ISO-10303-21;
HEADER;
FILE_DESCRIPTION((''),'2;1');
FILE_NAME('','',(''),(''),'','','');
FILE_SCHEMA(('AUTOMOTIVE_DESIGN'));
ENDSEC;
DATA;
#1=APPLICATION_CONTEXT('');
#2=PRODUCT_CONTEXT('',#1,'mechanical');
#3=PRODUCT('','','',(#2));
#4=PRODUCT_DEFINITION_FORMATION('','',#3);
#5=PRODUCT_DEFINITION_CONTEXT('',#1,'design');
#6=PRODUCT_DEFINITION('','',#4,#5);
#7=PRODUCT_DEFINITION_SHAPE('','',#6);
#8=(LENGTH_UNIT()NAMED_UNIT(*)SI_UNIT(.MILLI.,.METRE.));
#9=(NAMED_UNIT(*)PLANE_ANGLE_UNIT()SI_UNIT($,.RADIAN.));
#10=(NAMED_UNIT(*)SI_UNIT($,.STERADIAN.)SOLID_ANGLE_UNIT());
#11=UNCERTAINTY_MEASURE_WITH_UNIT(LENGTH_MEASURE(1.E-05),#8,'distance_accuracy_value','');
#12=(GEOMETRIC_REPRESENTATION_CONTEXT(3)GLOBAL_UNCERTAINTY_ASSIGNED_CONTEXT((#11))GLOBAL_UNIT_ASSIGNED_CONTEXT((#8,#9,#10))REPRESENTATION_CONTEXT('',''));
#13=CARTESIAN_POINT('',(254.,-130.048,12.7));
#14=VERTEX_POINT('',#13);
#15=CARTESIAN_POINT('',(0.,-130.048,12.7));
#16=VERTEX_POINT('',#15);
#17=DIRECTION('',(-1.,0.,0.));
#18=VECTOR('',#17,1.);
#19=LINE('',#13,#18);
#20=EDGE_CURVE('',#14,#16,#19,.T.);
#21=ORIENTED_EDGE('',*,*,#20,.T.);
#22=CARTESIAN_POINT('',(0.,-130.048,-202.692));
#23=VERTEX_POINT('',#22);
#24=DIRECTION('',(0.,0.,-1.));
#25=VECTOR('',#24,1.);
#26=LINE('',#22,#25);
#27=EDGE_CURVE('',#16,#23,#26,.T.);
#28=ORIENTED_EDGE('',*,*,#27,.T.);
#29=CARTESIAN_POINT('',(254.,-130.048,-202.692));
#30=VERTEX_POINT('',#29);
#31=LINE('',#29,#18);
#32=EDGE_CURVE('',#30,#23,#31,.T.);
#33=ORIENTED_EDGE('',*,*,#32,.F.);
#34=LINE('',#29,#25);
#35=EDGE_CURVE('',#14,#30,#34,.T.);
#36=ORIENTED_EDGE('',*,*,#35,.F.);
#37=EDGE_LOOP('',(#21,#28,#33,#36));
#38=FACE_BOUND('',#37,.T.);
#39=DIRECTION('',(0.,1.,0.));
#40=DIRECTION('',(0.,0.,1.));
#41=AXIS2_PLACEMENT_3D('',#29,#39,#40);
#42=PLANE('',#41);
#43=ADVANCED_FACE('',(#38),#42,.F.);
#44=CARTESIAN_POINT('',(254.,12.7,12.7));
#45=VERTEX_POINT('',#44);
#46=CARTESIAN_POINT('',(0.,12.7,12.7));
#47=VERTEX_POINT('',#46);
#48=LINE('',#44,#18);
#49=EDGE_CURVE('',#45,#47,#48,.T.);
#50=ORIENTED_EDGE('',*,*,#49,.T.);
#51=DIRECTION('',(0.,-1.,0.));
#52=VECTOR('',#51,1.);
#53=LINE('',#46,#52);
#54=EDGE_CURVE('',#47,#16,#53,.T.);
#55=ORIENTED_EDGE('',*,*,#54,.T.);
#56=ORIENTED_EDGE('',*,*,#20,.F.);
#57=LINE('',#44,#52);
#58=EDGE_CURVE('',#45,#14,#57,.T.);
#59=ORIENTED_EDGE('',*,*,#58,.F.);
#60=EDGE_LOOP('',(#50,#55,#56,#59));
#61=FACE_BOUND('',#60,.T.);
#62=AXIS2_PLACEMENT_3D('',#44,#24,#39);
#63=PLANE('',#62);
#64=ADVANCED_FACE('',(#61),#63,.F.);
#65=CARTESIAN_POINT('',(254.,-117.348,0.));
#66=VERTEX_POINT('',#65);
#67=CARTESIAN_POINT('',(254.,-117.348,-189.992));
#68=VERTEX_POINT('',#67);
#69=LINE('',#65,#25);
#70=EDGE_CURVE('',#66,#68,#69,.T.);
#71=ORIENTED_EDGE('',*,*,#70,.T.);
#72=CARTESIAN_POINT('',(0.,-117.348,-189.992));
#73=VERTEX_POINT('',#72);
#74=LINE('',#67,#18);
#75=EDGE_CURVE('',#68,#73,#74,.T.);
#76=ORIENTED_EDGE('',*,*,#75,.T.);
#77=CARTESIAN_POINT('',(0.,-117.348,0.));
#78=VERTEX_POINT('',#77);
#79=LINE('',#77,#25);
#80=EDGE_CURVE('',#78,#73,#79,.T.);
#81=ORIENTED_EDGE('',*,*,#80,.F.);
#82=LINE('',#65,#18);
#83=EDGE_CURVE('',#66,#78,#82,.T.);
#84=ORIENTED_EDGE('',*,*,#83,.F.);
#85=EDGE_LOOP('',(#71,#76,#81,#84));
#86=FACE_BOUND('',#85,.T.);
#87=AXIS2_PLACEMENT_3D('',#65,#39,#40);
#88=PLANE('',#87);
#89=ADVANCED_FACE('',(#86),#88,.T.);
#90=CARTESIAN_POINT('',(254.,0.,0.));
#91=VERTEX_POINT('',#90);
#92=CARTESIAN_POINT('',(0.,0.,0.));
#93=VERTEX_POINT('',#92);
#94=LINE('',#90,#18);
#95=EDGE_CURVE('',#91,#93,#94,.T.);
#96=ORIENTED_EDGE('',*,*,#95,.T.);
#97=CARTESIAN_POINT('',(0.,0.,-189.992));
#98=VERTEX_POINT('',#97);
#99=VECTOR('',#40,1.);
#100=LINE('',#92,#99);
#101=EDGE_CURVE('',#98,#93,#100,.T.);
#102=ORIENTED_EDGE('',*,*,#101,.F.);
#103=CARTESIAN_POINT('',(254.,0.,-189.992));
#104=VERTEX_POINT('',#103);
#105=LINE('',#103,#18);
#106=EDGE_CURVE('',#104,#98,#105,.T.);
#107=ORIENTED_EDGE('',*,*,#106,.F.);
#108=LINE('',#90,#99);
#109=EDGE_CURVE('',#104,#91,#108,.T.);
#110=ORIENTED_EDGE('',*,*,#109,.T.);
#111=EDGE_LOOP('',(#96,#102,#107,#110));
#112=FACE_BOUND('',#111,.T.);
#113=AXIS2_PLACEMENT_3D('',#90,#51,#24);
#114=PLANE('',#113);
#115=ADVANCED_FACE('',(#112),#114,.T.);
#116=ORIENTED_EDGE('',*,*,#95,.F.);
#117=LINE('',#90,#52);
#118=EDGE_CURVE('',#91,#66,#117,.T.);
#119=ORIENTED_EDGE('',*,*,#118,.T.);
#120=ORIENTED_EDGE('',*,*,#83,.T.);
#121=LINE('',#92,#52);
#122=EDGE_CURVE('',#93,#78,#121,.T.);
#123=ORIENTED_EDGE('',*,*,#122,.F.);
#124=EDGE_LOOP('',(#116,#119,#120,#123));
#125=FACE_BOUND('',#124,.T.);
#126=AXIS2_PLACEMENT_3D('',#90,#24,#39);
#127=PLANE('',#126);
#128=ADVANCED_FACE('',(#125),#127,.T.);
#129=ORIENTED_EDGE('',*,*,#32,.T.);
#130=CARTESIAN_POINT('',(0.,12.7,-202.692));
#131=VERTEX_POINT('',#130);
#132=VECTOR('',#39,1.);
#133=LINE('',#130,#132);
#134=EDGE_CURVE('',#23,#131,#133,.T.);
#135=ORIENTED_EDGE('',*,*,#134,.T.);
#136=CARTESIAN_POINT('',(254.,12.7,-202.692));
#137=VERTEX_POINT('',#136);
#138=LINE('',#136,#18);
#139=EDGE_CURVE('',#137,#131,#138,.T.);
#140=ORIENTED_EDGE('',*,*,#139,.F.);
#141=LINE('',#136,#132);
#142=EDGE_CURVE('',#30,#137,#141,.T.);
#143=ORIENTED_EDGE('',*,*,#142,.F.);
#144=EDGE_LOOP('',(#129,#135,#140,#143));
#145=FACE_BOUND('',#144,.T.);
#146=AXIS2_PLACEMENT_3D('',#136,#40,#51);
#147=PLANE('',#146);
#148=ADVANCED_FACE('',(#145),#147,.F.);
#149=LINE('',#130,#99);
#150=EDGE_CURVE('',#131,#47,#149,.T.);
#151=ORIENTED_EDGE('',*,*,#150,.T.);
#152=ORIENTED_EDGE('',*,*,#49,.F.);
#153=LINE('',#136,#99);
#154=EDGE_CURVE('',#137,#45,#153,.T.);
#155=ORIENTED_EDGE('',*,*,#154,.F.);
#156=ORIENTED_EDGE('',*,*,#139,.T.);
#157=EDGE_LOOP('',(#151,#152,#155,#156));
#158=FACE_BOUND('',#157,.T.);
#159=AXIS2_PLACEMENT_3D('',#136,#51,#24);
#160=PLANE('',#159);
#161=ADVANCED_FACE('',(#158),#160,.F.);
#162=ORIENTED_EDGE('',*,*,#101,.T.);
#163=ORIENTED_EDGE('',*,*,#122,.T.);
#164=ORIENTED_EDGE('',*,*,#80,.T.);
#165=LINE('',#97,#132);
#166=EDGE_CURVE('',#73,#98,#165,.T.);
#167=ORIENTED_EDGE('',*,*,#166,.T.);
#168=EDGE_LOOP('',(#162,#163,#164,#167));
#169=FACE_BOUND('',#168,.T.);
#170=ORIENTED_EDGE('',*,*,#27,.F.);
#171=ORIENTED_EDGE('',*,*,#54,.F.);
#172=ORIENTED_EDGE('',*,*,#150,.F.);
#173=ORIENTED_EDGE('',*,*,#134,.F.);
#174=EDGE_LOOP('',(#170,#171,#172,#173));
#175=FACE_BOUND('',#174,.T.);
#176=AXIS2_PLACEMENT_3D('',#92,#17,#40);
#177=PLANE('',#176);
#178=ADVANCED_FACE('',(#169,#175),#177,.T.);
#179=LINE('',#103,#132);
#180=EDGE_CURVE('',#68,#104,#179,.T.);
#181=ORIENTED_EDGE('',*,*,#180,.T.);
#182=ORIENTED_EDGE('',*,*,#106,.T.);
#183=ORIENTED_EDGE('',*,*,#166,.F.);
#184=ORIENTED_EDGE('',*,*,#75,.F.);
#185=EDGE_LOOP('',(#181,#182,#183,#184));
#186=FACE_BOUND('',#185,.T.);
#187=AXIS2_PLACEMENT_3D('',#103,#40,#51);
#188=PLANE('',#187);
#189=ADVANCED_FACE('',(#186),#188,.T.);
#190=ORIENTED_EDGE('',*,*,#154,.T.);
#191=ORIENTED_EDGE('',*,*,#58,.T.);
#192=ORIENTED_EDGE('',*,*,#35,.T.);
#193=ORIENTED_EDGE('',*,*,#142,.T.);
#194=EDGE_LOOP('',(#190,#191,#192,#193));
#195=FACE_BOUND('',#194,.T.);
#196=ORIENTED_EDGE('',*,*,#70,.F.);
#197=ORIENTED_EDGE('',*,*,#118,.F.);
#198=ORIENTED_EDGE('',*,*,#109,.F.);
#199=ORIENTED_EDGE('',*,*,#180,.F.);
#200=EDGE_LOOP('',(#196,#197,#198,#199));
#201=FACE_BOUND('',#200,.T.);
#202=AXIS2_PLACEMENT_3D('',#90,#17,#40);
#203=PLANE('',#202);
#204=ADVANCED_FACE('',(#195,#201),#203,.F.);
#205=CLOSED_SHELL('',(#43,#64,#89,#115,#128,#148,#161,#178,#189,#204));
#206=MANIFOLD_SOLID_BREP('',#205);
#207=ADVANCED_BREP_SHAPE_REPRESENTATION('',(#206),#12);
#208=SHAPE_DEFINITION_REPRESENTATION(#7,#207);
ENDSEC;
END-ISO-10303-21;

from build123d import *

# Parameters (mm, degrees)
SKETCH1_W           = 215.392
SKETCH1_H           = 142.748
SKETCH1_W_2         = 189.992
SKETCH1_H_2         = 117.348
BOSS_EXTRUDE1_DEPTH = 254


with BuildPart() as part:
    # Sketch1 → Boss-Extrude1 (new body)
    with BuildSketch(Plane(origin=(0, 0, 0), x_dir=(0, 0, -1), z_dir=(1, 0, 0))):
        with Locations((94.996, -58.674)):
            Rectangle(SKETCH1_W, SKETCH1_H)
        with Locations((94.996, -58.674)):
            Rectangle(SKETCH1_W_2, SKETCH1_H_2, mode=Mode.SUBTRACT)
    extrude(amount=BOSS_EXTRUDE1_DEPTH)


solid = part.part
